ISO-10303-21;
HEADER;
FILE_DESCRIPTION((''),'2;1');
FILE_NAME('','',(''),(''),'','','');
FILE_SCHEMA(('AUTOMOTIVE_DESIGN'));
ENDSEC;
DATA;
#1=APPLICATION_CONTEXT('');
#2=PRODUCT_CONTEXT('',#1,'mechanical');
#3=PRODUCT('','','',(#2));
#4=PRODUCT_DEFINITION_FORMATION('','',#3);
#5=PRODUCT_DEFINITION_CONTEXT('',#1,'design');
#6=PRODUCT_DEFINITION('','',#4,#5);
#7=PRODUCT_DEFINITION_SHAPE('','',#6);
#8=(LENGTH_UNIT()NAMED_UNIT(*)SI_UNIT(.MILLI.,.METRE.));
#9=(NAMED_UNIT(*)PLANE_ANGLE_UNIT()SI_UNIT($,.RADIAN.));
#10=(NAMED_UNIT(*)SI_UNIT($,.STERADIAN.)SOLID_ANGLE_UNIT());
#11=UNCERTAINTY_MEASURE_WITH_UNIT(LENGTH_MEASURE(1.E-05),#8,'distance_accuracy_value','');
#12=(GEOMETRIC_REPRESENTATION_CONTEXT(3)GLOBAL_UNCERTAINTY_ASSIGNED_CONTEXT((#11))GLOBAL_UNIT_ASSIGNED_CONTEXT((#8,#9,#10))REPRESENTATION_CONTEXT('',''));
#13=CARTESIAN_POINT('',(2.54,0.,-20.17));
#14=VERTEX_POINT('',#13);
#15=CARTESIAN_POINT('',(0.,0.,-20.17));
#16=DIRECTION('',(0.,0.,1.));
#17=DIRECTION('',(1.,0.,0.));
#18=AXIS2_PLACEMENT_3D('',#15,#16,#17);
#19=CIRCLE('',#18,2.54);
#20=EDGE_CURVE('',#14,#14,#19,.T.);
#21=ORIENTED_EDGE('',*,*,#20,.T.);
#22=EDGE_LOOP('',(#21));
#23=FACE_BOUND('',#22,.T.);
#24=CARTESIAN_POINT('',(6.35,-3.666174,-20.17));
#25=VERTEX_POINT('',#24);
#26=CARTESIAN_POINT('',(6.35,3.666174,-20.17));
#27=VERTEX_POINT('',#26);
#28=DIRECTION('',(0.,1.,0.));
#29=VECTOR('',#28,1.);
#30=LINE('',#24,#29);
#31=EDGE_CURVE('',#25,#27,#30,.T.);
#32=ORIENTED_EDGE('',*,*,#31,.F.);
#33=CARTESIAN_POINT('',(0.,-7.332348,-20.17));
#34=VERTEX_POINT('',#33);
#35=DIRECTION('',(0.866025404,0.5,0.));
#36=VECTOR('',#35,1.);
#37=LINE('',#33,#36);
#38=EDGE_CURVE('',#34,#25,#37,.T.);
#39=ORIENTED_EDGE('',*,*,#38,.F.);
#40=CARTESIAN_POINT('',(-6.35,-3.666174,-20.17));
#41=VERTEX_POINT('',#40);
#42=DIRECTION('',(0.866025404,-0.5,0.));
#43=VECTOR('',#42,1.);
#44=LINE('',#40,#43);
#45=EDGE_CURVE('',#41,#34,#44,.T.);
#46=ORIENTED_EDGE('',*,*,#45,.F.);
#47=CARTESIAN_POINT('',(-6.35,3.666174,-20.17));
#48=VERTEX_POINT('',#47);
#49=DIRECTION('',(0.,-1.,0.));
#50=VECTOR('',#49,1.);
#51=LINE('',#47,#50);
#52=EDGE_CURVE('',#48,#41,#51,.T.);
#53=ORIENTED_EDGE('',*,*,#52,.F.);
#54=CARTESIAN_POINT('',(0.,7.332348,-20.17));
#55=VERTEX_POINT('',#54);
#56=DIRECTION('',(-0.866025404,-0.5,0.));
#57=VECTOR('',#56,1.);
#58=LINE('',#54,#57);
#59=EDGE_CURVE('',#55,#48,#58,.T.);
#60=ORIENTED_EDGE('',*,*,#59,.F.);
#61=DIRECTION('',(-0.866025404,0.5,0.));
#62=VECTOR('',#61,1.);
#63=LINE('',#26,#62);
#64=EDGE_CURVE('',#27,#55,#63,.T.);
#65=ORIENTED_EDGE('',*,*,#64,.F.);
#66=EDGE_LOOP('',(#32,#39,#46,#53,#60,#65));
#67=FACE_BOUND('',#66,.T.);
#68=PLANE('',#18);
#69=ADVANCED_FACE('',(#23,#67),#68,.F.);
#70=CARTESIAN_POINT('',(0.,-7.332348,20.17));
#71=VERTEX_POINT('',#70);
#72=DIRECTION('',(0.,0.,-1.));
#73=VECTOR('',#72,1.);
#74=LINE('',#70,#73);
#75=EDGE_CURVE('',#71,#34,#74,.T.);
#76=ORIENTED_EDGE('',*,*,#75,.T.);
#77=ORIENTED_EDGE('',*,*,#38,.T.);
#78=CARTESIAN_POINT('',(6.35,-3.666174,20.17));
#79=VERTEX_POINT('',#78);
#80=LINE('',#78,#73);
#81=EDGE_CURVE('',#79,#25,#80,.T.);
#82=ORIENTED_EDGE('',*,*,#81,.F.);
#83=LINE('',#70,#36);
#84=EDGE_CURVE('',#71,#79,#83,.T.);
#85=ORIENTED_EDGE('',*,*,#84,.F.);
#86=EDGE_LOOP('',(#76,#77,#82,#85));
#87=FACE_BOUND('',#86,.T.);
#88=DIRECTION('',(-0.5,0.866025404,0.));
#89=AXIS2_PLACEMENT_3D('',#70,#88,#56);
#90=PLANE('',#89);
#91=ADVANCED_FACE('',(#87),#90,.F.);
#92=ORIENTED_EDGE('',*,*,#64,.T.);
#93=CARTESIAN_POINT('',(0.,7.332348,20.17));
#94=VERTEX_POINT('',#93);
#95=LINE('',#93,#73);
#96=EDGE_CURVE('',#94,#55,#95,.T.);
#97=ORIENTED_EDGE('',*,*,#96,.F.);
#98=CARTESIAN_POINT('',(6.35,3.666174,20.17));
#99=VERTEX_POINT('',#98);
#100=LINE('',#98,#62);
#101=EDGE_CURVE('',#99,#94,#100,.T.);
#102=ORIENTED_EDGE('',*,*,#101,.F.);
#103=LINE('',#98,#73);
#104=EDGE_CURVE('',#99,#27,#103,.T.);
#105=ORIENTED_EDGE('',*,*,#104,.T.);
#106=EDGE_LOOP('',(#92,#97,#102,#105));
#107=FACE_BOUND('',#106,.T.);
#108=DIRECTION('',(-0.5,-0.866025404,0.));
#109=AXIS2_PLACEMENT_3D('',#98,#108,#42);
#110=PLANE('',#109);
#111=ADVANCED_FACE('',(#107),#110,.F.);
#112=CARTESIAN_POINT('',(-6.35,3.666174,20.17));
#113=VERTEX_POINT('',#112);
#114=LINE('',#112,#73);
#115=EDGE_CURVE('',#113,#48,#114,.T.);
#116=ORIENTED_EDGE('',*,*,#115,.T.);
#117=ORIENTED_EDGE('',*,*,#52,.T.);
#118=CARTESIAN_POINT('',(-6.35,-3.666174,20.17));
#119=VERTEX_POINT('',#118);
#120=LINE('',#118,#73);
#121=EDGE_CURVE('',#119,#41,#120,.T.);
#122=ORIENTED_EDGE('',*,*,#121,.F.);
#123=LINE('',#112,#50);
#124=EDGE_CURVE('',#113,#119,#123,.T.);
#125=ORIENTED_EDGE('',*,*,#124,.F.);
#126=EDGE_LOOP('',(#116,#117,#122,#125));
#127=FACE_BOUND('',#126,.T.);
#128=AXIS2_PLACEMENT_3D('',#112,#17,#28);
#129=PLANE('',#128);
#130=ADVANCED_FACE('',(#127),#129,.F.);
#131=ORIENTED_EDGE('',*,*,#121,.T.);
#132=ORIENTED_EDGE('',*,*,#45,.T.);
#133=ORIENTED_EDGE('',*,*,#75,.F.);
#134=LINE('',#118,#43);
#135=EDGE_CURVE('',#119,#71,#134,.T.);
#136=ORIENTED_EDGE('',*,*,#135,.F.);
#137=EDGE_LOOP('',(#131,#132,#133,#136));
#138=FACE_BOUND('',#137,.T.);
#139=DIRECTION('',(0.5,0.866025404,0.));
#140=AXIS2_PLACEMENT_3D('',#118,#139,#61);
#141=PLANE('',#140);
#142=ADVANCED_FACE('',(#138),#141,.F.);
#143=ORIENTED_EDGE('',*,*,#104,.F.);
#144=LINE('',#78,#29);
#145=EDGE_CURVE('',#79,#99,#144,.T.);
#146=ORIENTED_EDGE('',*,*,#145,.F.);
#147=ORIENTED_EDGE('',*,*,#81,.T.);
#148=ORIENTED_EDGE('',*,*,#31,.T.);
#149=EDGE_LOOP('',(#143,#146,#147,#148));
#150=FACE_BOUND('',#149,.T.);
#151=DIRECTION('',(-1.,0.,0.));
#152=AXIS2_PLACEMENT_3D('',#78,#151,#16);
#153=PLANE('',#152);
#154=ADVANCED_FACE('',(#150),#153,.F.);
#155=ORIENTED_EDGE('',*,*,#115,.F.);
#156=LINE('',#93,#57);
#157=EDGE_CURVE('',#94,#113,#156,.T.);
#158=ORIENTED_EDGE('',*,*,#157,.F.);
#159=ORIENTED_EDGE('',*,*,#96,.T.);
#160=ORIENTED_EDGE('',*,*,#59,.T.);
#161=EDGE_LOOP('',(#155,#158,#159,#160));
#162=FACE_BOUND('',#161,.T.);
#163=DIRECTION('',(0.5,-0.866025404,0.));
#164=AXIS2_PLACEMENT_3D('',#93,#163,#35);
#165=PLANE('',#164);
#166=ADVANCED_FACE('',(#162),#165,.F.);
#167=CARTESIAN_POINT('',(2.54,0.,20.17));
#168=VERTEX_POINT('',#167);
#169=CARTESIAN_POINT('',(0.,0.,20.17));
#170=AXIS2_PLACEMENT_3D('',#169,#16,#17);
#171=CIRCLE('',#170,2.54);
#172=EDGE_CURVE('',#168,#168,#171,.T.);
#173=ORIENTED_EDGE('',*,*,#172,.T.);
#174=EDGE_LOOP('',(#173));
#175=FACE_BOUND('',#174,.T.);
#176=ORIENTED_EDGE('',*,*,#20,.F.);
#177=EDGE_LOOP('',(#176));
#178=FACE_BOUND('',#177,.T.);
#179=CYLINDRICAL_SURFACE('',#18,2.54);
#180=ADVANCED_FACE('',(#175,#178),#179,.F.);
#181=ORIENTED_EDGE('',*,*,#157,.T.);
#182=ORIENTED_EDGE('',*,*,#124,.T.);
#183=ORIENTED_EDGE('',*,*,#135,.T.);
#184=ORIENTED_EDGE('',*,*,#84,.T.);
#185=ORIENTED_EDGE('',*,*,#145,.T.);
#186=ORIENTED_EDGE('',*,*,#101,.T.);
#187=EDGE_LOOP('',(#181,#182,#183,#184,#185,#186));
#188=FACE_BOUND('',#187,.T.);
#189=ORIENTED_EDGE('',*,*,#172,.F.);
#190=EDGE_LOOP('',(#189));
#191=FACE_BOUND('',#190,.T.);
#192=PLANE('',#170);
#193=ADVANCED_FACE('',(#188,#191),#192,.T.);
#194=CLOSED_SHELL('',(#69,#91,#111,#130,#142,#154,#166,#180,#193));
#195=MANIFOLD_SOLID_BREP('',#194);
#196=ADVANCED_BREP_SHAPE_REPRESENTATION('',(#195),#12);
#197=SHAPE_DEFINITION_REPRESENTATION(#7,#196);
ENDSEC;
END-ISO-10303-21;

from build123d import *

# Parameters (mm, degrees)
BOSS_EXTRUDE1_DEPTH = 20.17
SKETCH2_R           = 2.54
CUT_EXTRUDE1_DEPTH  = 42.489775046


with BuildPart() as part:
    # Sketch1 → Boss-Extrude1 (new, symmetric)
    with BuildSketch(Plane.XY):
        Polygon((6.35, 3.666174209), (0, 7.332348419), (-6.35, 3.666174209), (-6.35, -3.666174209), (0, -7.332348419), (6.35, -3.666174209), align=None)
    extrude(amount=BOSS_EXTRUDE1_DEPTH, both=True)

    # Sketch2 → Cut-Extrude1 (cut, through all)
    with BuildSketch(Plane.XY.offset(20.17)):
        Circle(SKETCH2_R)
    extrude(amount=-CUT_EXTRUDE1_DEPTH, mode=Mode.SUBTRACT)


solid = part.part
